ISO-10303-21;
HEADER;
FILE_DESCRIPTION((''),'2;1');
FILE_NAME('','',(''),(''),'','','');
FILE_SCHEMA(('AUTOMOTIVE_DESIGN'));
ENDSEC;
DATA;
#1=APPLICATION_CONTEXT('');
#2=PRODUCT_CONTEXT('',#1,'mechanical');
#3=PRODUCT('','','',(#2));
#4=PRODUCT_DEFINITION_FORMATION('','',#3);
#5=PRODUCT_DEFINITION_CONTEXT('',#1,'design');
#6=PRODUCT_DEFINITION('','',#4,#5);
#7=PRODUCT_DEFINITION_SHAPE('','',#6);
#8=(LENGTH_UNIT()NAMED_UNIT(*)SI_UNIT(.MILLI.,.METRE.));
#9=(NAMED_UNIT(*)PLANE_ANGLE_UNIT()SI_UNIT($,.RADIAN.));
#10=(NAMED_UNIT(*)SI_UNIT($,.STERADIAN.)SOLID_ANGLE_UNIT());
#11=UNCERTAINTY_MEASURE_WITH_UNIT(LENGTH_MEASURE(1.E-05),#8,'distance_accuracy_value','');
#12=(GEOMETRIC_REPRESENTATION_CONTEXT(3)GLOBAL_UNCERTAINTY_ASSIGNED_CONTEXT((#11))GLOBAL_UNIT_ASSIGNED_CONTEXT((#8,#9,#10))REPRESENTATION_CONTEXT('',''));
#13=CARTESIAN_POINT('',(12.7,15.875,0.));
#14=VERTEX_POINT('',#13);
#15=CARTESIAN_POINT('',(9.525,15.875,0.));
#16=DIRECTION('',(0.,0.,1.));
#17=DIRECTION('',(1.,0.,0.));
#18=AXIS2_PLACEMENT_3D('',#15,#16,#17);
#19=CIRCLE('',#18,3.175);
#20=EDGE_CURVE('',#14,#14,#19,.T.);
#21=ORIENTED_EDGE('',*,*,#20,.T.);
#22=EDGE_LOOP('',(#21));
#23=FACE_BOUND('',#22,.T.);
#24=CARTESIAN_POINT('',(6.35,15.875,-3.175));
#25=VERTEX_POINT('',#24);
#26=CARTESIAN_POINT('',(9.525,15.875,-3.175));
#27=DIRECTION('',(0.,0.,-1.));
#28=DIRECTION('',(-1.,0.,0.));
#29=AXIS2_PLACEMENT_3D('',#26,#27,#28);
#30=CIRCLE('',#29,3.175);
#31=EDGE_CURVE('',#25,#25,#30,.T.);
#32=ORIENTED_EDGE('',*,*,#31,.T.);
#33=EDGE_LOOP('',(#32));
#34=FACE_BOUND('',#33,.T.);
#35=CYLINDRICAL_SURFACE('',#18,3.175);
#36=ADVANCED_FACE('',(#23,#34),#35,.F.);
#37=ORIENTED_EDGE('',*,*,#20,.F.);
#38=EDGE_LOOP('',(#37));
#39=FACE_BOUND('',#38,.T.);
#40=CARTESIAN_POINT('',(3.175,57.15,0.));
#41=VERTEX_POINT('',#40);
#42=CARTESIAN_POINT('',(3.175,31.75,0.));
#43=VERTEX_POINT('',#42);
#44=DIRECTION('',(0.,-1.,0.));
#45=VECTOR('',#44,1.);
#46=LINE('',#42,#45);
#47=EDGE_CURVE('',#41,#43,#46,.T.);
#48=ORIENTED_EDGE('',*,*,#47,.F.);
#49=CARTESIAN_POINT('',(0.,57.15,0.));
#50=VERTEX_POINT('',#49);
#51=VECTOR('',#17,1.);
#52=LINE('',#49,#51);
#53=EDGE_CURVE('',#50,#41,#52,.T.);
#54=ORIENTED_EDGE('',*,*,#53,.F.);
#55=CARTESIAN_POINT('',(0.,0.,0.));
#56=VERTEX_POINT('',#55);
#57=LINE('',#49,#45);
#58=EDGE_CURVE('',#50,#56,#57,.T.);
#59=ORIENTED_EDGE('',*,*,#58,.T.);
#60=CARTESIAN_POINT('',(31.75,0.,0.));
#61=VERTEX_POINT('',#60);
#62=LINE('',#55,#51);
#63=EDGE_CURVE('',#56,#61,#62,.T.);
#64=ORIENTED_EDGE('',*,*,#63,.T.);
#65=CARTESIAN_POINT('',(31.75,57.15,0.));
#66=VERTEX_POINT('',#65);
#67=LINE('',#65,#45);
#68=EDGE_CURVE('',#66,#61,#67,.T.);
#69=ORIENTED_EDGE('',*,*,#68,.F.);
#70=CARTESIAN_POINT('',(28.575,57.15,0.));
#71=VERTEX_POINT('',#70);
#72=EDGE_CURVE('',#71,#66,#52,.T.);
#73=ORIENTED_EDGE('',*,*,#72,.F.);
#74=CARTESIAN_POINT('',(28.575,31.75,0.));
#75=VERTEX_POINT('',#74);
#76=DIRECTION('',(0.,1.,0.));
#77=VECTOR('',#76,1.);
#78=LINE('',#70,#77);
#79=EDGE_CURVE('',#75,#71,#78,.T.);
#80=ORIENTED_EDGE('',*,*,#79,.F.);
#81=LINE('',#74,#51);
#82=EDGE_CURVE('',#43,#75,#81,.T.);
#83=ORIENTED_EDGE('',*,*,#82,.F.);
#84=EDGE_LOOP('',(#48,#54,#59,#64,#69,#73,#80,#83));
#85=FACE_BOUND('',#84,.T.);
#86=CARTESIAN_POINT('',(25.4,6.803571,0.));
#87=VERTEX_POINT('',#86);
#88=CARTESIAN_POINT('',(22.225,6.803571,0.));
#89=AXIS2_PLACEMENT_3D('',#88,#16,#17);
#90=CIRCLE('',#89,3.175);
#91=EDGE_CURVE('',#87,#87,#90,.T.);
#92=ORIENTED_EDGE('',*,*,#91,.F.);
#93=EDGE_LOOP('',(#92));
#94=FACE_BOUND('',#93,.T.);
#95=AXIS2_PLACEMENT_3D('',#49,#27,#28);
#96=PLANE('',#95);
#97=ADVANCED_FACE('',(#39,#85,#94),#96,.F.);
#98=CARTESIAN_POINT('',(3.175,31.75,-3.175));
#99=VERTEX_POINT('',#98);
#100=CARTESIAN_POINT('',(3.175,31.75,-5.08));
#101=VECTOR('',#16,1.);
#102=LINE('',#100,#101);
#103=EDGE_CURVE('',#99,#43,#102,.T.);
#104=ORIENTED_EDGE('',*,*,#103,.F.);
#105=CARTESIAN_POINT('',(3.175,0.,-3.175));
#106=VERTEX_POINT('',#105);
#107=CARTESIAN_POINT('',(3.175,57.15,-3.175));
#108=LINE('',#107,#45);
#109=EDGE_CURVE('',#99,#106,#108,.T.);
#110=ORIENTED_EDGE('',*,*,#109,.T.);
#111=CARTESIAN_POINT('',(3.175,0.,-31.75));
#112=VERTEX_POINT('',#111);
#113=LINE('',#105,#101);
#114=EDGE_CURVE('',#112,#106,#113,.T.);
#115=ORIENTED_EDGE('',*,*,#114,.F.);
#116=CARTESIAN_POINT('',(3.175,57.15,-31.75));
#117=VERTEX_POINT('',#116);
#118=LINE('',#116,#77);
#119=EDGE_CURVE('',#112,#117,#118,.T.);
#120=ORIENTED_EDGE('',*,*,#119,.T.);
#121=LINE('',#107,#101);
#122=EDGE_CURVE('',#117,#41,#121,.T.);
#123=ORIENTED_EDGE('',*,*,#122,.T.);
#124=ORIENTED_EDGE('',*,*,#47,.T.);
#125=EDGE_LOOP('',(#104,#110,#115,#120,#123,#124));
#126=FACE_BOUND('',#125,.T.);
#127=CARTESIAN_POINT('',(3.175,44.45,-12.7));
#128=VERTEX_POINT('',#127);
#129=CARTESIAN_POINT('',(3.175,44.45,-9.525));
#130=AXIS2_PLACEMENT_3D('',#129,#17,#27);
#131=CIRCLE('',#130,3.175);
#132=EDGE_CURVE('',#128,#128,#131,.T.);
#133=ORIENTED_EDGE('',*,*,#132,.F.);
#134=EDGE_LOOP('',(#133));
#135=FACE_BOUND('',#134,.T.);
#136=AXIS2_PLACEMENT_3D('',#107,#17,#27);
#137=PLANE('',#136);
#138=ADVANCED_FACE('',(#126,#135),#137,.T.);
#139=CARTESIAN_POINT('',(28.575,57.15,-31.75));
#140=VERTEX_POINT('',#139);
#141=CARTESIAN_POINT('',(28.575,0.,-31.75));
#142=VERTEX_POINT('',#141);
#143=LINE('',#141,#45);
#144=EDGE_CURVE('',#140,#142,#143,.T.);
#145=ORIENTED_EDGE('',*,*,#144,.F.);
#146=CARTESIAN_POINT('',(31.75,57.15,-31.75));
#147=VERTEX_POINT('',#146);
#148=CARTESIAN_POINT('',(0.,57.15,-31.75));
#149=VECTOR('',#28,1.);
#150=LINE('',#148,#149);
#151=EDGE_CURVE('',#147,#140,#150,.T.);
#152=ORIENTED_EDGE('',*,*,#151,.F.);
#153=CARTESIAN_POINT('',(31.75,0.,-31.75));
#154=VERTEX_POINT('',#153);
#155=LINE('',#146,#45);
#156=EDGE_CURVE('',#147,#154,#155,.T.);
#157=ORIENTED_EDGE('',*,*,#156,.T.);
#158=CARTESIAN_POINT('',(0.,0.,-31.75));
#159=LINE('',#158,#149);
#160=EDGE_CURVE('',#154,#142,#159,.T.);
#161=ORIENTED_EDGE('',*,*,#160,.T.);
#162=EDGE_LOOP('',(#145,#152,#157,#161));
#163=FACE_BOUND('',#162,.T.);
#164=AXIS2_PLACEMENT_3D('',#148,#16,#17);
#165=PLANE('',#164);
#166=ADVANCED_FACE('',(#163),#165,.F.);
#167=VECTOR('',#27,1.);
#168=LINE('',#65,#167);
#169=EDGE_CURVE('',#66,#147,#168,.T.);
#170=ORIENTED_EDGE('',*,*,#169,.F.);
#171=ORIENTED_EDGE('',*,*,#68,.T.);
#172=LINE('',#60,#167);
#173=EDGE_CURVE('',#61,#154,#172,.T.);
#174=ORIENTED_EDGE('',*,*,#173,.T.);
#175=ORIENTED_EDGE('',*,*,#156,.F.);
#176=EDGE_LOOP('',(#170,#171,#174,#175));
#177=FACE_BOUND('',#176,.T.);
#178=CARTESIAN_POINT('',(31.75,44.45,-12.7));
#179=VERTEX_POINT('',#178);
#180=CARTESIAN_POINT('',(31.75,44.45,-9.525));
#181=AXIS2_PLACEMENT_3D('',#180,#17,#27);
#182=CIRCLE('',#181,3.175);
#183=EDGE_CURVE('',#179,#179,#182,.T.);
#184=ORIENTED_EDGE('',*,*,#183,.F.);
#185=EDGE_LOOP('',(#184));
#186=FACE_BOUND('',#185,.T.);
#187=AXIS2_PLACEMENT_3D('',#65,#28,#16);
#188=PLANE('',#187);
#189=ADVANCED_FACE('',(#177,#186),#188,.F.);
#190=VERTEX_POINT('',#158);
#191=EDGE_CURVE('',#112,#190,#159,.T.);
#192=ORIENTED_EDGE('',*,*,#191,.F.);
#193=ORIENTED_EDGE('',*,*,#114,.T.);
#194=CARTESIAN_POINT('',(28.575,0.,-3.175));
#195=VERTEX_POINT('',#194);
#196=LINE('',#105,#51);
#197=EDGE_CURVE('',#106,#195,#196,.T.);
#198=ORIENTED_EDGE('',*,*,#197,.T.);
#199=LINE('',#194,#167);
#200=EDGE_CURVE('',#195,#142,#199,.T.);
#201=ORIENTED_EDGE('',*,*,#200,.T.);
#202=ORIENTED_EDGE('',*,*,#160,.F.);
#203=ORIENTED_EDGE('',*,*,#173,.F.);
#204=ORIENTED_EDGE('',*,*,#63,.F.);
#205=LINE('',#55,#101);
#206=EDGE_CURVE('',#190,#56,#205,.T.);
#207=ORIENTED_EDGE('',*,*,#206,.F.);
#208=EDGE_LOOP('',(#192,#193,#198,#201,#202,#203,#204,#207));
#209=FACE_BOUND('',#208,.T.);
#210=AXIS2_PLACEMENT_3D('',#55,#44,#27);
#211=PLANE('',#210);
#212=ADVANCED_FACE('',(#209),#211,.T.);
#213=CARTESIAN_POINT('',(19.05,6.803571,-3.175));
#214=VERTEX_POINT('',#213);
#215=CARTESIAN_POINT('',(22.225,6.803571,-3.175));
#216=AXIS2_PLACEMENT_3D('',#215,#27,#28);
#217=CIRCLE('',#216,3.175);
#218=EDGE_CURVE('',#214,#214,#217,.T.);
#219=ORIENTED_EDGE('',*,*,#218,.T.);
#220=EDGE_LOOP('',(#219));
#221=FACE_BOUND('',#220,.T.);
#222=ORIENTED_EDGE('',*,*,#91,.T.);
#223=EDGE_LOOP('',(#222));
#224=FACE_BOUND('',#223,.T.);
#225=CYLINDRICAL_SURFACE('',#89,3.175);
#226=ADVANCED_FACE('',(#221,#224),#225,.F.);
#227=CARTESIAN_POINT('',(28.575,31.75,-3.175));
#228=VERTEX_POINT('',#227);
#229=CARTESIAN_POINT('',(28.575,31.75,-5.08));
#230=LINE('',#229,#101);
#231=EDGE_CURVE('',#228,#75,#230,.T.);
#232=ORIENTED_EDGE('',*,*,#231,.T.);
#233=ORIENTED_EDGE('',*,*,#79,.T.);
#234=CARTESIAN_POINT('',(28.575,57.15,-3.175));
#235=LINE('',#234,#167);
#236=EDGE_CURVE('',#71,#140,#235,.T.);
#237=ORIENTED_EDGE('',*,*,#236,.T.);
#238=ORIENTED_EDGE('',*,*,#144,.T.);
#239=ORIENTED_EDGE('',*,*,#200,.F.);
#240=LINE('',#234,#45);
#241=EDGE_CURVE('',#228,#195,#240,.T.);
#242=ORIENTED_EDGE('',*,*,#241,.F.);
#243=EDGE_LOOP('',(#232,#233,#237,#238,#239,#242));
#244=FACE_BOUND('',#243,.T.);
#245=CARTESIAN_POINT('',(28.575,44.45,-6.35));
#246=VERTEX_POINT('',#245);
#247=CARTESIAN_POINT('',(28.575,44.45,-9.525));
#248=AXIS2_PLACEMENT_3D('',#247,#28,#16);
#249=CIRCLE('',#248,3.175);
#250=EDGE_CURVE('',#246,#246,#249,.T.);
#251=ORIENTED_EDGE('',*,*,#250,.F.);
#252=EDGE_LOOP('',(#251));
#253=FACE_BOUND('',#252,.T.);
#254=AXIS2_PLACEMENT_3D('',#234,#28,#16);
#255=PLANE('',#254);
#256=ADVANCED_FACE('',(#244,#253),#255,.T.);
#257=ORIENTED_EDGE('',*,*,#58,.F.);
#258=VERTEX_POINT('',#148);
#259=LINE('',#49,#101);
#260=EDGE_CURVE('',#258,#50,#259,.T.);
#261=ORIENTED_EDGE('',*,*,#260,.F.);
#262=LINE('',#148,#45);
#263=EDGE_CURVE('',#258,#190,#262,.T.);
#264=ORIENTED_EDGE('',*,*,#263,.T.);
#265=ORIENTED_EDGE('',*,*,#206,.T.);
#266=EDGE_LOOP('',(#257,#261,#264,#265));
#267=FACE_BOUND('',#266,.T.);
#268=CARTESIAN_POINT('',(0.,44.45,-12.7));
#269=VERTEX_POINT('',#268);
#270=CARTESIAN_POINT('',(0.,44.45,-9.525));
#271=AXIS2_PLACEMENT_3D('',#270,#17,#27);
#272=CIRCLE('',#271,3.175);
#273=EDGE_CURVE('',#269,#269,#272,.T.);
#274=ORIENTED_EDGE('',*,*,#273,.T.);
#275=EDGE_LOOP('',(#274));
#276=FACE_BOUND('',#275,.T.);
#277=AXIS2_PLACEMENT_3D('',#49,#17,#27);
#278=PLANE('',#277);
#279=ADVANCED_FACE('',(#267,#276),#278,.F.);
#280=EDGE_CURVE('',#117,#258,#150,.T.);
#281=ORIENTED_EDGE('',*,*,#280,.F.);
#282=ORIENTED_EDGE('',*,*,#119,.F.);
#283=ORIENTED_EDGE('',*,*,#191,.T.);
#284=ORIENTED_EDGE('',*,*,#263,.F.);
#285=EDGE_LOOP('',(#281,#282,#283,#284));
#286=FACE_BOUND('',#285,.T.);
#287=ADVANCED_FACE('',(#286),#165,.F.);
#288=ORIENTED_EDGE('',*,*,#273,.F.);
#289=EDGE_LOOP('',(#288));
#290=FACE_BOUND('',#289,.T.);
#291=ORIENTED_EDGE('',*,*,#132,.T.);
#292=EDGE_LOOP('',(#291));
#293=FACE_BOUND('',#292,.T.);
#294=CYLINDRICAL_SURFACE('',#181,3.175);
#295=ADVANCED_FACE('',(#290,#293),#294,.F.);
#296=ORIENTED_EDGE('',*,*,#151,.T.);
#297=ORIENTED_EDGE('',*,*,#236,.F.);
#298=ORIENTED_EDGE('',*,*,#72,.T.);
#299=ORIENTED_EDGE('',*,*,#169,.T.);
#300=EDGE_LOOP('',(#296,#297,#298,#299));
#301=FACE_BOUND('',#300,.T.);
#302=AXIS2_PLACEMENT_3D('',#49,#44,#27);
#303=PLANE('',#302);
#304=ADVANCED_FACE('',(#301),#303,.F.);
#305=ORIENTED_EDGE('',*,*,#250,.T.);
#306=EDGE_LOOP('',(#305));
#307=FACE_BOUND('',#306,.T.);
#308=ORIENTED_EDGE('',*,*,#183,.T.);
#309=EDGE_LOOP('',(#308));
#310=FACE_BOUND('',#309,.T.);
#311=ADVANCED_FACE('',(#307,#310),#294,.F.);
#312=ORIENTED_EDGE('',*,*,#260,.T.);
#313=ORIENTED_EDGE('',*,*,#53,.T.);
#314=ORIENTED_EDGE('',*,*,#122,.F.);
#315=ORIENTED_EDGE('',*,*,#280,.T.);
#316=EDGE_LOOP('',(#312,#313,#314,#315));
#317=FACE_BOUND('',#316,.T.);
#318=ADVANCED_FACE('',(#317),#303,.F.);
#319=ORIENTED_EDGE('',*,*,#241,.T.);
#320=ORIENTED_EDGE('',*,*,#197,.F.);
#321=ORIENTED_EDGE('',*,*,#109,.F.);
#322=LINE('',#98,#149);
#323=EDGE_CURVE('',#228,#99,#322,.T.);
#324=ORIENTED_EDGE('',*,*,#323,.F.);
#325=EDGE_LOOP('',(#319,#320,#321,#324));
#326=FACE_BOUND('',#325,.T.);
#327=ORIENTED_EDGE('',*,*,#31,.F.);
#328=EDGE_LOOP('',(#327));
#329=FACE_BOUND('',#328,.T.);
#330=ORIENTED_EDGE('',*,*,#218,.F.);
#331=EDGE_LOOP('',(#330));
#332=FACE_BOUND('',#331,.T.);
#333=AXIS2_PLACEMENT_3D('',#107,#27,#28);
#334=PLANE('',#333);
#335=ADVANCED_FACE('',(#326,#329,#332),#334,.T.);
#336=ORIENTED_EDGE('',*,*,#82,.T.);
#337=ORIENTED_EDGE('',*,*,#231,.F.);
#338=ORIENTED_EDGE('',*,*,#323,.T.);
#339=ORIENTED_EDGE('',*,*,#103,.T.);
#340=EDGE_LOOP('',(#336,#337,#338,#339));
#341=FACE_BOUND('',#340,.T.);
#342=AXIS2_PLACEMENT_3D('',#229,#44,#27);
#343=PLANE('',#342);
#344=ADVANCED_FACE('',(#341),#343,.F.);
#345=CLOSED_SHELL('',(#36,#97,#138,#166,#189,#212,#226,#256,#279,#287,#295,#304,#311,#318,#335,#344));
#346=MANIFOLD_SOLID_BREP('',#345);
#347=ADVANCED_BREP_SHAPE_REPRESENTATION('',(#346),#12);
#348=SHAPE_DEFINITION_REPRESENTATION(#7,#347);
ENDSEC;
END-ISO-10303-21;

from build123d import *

# Parameters (mm, degrees)
SKETCH1_W                   = 31.75
SKETCH1_H                   = 31.75
SKETCH1_W_2                 = 25.4
SKETCH1_H_2                 = 25.4
BOSS_EXTRUDE1_DEPTH         = 57.15
F_1_4_0_25_DIAMETER_HOLE5_D = 6.35
SKETCH16_W                  = 25.4
SKETCH16_H                  = 57.15
CUT_EXTRUDE1_DEPTH          = 5.08
F_1_4_0_25_DIAMETER_HOLE7_D = 6.35
SKETCH20_W                  = 25.4
SKETCH20_H                  = 25.4
CUT_EXTRUDE2_DEPTH          = 5.08


with BuildPart() as part:
    # Sketch1 → Boss-Extrude1 (new body)
    with BuildSketch(Plane(origin=(0, 0, 0), x_dir=(1, 0, 0), z_dir=(0, 1, 0))):
        with Locations((15.875, 15.875)):
            Rectangle(SKETCH1_W, SKETCH1_H)
        with Locations((15.875, 15.875)):
            Rectangle(SKETCH1_W_2, SKETCH1_H_2, mode=Mode.SUBTRACT)
    extrude(amount=BOSS_EXTRUDE1_DEPTH)

    # 1/4 (0.25) Diameter Hole5 (through all)
    with Locations(Plane(origin=(31.75, 0, 0), x_dir=(0, 0, -1), z_dir=(1, 0, 0))):
        with Locations((9.525, 44.45)):
            Hole(F_1_4_0_25_DIAMETER_HOLE5_D / 2)

    # Sketch16 → Cut-Extrude1 (cut)
    with BuildSketch(Plane(origin=(0, 0, -31.75), x_dir=(-1, 0, 0), z_dir=(0, 0, -1))):
        with Locations((-15.875, 28.575)):
            Rectangle(SKETCH16_W, SKETCH16_H)
    extrude(amount=-CUT_EXTRUDE1_DEPTH, mode=Mode.SUBTRACT)

    # 1/4 (0.25) Diameter Hole7 (through all)
    with Locations(Plane.XY):
        with Locations((22.225, 6.803571429), (9.525, 15.875)):
            Hole(F_1_4_0_25_DIAMETER_HOLE7_D / 2)

    # Sketch20 → Cut-Extrude2 (cut)
    with BuildSketch(Plane.XY):
        with Locations((15.875, 44.45)):
            Rectangle(SKETCH20_W, SKETCH20_H)
    extrude(amount=-CUT_EXTRUDE2_DEPTH, mode=Mode.SUBTRACT)


solid = part.part
